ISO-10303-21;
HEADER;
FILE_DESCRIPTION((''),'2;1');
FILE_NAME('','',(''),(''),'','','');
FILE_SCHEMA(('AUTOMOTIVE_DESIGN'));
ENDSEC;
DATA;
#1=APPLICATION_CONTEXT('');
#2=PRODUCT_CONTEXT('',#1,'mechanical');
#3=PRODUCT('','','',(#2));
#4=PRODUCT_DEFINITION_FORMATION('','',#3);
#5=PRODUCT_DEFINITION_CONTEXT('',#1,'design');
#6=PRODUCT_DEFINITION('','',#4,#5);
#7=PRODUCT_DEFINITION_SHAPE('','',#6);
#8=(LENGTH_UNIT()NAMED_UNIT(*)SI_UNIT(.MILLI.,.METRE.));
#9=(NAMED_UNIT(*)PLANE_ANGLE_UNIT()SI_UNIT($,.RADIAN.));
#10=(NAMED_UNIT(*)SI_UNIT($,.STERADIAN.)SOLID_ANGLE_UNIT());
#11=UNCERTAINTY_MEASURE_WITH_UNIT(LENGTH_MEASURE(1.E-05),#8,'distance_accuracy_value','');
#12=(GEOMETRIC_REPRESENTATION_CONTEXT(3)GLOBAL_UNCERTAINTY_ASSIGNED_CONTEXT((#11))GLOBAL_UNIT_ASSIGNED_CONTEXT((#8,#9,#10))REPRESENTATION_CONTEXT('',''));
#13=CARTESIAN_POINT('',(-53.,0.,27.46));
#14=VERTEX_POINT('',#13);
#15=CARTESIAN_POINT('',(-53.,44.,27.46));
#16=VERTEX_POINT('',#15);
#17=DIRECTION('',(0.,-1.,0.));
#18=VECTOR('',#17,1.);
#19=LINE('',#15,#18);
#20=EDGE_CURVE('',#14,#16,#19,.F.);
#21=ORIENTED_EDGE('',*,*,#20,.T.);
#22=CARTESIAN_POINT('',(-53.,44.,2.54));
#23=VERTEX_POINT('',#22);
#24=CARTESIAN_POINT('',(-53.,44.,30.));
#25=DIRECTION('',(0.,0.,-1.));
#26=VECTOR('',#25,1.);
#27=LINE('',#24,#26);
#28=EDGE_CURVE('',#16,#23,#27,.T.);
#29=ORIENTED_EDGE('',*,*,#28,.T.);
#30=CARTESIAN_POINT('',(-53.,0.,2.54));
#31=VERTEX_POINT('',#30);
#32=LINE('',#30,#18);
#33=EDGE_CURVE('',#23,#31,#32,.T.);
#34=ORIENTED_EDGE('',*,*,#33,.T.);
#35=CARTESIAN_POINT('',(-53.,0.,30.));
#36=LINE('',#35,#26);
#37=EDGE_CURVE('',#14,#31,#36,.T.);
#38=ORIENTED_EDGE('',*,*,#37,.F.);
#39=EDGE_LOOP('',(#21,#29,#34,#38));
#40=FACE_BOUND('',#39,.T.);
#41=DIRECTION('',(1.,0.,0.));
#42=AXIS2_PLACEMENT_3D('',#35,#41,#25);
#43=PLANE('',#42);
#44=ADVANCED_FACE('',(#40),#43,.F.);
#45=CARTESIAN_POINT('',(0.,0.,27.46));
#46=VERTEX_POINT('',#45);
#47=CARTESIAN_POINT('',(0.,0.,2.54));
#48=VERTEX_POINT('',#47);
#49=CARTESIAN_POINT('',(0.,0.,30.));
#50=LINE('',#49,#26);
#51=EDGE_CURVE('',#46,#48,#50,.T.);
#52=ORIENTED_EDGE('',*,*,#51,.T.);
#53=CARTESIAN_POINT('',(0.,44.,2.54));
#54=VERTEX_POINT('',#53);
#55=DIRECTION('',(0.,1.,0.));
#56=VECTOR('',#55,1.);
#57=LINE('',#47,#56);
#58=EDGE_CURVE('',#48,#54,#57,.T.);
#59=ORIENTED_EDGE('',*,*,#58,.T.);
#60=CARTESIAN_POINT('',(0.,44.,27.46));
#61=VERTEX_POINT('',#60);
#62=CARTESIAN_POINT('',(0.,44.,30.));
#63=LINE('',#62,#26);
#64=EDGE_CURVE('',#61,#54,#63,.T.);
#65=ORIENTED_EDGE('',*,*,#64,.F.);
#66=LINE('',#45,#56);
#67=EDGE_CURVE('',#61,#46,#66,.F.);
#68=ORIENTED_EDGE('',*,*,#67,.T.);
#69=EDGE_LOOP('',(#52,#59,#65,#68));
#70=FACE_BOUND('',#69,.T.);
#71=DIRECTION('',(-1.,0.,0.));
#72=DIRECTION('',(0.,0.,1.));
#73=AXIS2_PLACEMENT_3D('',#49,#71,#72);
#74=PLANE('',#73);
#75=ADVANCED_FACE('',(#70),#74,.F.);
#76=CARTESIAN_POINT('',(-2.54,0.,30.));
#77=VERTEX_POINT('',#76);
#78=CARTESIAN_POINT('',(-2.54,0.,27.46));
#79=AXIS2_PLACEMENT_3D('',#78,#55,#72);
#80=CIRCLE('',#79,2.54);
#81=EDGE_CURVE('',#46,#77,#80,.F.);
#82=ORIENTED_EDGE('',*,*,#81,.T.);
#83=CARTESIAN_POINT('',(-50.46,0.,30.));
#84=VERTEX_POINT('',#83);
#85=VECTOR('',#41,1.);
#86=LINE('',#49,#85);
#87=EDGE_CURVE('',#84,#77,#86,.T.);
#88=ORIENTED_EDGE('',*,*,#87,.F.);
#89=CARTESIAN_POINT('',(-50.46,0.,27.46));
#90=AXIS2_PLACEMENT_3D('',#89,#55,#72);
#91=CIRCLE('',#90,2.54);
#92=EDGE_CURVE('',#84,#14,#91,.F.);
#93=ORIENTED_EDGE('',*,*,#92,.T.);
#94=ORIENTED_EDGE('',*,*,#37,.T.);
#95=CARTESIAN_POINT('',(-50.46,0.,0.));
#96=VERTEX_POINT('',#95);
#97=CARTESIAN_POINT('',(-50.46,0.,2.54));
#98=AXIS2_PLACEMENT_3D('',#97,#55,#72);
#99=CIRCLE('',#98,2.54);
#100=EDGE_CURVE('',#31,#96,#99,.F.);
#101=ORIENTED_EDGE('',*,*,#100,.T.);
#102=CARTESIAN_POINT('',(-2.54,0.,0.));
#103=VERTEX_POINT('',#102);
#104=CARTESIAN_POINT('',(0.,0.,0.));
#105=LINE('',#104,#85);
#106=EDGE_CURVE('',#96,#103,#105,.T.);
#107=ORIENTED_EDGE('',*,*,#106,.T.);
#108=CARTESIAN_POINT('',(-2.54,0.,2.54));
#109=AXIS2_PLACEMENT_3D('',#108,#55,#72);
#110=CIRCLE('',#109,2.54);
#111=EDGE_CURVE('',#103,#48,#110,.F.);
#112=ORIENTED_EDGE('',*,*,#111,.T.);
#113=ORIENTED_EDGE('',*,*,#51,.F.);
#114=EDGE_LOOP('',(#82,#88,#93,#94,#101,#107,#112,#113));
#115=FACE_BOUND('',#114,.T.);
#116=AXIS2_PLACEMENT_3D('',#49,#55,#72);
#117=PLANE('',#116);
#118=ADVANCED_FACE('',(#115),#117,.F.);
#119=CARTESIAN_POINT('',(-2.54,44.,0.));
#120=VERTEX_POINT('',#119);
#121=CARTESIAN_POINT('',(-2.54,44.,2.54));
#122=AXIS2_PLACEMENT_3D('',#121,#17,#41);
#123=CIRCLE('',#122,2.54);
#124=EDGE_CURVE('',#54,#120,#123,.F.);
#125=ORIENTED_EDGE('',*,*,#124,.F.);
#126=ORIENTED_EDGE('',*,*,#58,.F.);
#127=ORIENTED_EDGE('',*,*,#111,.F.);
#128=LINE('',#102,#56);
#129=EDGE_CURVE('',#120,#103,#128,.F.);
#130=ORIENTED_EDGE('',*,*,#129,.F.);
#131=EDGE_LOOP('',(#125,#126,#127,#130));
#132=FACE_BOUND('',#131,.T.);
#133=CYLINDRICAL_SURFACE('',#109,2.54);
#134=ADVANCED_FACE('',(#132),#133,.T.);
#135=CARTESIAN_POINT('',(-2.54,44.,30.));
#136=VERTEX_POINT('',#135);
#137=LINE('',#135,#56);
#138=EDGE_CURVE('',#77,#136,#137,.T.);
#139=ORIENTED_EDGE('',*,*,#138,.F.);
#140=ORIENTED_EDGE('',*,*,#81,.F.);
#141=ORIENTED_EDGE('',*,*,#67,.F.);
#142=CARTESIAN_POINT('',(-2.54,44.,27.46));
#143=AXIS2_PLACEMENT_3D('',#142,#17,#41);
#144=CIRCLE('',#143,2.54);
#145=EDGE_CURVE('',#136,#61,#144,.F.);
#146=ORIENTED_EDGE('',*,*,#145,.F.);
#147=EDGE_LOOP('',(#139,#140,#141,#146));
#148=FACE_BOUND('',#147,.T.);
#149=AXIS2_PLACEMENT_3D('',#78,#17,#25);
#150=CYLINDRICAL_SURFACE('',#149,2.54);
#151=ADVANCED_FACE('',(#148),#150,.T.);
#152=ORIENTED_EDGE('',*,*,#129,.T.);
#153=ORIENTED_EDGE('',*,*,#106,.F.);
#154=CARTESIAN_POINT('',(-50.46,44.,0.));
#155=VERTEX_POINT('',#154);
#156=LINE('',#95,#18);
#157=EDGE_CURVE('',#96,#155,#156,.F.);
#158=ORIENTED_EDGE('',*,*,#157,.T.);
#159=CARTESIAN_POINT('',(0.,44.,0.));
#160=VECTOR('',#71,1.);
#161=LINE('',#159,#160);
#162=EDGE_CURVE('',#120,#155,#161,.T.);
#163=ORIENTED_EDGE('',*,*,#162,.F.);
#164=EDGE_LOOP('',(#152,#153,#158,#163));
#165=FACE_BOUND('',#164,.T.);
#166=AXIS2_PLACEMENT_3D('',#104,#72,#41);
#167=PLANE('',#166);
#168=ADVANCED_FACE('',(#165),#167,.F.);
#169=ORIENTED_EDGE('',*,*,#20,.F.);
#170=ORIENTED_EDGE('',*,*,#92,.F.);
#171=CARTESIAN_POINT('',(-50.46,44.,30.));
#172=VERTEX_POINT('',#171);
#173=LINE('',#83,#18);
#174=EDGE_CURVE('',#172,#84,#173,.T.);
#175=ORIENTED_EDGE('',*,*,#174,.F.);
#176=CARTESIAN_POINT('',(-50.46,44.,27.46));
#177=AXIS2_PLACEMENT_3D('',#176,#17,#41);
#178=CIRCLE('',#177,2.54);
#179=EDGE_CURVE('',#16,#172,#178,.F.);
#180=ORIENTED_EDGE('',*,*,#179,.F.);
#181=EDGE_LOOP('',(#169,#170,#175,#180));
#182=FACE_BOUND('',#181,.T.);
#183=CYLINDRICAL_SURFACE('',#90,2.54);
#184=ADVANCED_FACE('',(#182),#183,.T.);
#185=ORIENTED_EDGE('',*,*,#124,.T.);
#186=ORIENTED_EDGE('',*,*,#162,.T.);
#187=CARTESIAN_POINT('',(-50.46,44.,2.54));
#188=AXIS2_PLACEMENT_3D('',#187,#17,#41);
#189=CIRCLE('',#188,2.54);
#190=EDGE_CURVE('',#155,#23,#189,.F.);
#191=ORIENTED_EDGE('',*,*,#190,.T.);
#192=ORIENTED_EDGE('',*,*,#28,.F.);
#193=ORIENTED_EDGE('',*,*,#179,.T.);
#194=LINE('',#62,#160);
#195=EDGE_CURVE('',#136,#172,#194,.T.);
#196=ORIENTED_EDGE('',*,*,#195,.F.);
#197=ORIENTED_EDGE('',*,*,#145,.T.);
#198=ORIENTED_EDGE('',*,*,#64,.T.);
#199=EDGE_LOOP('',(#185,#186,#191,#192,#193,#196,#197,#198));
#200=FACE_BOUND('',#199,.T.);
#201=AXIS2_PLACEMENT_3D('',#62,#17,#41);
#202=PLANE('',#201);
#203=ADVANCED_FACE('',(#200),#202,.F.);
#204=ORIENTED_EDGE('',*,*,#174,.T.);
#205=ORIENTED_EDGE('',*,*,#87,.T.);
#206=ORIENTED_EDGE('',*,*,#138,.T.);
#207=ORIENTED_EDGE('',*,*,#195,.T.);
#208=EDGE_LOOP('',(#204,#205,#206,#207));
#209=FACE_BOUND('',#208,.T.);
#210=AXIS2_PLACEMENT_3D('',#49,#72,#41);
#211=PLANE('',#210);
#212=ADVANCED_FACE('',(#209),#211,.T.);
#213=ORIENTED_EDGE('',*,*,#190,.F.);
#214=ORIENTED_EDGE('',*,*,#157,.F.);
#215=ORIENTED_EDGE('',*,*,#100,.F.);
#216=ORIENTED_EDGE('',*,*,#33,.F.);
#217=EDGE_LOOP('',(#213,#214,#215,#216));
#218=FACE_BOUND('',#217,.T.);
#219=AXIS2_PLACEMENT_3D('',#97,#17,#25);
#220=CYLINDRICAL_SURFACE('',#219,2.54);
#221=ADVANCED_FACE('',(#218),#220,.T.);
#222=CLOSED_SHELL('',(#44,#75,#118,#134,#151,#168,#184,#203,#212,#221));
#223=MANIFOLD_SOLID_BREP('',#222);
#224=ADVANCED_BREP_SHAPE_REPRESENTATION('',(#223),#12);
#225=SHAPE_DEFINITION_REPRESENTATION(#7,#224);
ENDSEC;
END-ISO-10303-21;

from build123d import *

# Parameters (mm, degrees)
SKETCH1_W           = 53
SKETCH1_H           = 44
BOSS_EXTRUDE1_DEPTH = 30
FILLET1_R           = 2.54


with BuildPart() as part:
    # Sketch1 → Boss-Extrude1 (new body)
    with BuildSketch(Plane.XY):
        with Locations((-26.5, 22)):
            Rectangle(SKETCH1_W, SKETCH1_H)
    extrude(amount=BOSS_EXTRUDE1_DEPTH)

    # Fillet1
    fillet1_edges = [part.edges().sort_by_distance(p)[0] for p in [
        (-53, 22, 30),
        (0, 22, 30),
        (-53, 22, 0),
        (0, 22, 0),
    ]]
    fillet(fillet1_edges, radius=FILLET1_R)


solid = part.part
